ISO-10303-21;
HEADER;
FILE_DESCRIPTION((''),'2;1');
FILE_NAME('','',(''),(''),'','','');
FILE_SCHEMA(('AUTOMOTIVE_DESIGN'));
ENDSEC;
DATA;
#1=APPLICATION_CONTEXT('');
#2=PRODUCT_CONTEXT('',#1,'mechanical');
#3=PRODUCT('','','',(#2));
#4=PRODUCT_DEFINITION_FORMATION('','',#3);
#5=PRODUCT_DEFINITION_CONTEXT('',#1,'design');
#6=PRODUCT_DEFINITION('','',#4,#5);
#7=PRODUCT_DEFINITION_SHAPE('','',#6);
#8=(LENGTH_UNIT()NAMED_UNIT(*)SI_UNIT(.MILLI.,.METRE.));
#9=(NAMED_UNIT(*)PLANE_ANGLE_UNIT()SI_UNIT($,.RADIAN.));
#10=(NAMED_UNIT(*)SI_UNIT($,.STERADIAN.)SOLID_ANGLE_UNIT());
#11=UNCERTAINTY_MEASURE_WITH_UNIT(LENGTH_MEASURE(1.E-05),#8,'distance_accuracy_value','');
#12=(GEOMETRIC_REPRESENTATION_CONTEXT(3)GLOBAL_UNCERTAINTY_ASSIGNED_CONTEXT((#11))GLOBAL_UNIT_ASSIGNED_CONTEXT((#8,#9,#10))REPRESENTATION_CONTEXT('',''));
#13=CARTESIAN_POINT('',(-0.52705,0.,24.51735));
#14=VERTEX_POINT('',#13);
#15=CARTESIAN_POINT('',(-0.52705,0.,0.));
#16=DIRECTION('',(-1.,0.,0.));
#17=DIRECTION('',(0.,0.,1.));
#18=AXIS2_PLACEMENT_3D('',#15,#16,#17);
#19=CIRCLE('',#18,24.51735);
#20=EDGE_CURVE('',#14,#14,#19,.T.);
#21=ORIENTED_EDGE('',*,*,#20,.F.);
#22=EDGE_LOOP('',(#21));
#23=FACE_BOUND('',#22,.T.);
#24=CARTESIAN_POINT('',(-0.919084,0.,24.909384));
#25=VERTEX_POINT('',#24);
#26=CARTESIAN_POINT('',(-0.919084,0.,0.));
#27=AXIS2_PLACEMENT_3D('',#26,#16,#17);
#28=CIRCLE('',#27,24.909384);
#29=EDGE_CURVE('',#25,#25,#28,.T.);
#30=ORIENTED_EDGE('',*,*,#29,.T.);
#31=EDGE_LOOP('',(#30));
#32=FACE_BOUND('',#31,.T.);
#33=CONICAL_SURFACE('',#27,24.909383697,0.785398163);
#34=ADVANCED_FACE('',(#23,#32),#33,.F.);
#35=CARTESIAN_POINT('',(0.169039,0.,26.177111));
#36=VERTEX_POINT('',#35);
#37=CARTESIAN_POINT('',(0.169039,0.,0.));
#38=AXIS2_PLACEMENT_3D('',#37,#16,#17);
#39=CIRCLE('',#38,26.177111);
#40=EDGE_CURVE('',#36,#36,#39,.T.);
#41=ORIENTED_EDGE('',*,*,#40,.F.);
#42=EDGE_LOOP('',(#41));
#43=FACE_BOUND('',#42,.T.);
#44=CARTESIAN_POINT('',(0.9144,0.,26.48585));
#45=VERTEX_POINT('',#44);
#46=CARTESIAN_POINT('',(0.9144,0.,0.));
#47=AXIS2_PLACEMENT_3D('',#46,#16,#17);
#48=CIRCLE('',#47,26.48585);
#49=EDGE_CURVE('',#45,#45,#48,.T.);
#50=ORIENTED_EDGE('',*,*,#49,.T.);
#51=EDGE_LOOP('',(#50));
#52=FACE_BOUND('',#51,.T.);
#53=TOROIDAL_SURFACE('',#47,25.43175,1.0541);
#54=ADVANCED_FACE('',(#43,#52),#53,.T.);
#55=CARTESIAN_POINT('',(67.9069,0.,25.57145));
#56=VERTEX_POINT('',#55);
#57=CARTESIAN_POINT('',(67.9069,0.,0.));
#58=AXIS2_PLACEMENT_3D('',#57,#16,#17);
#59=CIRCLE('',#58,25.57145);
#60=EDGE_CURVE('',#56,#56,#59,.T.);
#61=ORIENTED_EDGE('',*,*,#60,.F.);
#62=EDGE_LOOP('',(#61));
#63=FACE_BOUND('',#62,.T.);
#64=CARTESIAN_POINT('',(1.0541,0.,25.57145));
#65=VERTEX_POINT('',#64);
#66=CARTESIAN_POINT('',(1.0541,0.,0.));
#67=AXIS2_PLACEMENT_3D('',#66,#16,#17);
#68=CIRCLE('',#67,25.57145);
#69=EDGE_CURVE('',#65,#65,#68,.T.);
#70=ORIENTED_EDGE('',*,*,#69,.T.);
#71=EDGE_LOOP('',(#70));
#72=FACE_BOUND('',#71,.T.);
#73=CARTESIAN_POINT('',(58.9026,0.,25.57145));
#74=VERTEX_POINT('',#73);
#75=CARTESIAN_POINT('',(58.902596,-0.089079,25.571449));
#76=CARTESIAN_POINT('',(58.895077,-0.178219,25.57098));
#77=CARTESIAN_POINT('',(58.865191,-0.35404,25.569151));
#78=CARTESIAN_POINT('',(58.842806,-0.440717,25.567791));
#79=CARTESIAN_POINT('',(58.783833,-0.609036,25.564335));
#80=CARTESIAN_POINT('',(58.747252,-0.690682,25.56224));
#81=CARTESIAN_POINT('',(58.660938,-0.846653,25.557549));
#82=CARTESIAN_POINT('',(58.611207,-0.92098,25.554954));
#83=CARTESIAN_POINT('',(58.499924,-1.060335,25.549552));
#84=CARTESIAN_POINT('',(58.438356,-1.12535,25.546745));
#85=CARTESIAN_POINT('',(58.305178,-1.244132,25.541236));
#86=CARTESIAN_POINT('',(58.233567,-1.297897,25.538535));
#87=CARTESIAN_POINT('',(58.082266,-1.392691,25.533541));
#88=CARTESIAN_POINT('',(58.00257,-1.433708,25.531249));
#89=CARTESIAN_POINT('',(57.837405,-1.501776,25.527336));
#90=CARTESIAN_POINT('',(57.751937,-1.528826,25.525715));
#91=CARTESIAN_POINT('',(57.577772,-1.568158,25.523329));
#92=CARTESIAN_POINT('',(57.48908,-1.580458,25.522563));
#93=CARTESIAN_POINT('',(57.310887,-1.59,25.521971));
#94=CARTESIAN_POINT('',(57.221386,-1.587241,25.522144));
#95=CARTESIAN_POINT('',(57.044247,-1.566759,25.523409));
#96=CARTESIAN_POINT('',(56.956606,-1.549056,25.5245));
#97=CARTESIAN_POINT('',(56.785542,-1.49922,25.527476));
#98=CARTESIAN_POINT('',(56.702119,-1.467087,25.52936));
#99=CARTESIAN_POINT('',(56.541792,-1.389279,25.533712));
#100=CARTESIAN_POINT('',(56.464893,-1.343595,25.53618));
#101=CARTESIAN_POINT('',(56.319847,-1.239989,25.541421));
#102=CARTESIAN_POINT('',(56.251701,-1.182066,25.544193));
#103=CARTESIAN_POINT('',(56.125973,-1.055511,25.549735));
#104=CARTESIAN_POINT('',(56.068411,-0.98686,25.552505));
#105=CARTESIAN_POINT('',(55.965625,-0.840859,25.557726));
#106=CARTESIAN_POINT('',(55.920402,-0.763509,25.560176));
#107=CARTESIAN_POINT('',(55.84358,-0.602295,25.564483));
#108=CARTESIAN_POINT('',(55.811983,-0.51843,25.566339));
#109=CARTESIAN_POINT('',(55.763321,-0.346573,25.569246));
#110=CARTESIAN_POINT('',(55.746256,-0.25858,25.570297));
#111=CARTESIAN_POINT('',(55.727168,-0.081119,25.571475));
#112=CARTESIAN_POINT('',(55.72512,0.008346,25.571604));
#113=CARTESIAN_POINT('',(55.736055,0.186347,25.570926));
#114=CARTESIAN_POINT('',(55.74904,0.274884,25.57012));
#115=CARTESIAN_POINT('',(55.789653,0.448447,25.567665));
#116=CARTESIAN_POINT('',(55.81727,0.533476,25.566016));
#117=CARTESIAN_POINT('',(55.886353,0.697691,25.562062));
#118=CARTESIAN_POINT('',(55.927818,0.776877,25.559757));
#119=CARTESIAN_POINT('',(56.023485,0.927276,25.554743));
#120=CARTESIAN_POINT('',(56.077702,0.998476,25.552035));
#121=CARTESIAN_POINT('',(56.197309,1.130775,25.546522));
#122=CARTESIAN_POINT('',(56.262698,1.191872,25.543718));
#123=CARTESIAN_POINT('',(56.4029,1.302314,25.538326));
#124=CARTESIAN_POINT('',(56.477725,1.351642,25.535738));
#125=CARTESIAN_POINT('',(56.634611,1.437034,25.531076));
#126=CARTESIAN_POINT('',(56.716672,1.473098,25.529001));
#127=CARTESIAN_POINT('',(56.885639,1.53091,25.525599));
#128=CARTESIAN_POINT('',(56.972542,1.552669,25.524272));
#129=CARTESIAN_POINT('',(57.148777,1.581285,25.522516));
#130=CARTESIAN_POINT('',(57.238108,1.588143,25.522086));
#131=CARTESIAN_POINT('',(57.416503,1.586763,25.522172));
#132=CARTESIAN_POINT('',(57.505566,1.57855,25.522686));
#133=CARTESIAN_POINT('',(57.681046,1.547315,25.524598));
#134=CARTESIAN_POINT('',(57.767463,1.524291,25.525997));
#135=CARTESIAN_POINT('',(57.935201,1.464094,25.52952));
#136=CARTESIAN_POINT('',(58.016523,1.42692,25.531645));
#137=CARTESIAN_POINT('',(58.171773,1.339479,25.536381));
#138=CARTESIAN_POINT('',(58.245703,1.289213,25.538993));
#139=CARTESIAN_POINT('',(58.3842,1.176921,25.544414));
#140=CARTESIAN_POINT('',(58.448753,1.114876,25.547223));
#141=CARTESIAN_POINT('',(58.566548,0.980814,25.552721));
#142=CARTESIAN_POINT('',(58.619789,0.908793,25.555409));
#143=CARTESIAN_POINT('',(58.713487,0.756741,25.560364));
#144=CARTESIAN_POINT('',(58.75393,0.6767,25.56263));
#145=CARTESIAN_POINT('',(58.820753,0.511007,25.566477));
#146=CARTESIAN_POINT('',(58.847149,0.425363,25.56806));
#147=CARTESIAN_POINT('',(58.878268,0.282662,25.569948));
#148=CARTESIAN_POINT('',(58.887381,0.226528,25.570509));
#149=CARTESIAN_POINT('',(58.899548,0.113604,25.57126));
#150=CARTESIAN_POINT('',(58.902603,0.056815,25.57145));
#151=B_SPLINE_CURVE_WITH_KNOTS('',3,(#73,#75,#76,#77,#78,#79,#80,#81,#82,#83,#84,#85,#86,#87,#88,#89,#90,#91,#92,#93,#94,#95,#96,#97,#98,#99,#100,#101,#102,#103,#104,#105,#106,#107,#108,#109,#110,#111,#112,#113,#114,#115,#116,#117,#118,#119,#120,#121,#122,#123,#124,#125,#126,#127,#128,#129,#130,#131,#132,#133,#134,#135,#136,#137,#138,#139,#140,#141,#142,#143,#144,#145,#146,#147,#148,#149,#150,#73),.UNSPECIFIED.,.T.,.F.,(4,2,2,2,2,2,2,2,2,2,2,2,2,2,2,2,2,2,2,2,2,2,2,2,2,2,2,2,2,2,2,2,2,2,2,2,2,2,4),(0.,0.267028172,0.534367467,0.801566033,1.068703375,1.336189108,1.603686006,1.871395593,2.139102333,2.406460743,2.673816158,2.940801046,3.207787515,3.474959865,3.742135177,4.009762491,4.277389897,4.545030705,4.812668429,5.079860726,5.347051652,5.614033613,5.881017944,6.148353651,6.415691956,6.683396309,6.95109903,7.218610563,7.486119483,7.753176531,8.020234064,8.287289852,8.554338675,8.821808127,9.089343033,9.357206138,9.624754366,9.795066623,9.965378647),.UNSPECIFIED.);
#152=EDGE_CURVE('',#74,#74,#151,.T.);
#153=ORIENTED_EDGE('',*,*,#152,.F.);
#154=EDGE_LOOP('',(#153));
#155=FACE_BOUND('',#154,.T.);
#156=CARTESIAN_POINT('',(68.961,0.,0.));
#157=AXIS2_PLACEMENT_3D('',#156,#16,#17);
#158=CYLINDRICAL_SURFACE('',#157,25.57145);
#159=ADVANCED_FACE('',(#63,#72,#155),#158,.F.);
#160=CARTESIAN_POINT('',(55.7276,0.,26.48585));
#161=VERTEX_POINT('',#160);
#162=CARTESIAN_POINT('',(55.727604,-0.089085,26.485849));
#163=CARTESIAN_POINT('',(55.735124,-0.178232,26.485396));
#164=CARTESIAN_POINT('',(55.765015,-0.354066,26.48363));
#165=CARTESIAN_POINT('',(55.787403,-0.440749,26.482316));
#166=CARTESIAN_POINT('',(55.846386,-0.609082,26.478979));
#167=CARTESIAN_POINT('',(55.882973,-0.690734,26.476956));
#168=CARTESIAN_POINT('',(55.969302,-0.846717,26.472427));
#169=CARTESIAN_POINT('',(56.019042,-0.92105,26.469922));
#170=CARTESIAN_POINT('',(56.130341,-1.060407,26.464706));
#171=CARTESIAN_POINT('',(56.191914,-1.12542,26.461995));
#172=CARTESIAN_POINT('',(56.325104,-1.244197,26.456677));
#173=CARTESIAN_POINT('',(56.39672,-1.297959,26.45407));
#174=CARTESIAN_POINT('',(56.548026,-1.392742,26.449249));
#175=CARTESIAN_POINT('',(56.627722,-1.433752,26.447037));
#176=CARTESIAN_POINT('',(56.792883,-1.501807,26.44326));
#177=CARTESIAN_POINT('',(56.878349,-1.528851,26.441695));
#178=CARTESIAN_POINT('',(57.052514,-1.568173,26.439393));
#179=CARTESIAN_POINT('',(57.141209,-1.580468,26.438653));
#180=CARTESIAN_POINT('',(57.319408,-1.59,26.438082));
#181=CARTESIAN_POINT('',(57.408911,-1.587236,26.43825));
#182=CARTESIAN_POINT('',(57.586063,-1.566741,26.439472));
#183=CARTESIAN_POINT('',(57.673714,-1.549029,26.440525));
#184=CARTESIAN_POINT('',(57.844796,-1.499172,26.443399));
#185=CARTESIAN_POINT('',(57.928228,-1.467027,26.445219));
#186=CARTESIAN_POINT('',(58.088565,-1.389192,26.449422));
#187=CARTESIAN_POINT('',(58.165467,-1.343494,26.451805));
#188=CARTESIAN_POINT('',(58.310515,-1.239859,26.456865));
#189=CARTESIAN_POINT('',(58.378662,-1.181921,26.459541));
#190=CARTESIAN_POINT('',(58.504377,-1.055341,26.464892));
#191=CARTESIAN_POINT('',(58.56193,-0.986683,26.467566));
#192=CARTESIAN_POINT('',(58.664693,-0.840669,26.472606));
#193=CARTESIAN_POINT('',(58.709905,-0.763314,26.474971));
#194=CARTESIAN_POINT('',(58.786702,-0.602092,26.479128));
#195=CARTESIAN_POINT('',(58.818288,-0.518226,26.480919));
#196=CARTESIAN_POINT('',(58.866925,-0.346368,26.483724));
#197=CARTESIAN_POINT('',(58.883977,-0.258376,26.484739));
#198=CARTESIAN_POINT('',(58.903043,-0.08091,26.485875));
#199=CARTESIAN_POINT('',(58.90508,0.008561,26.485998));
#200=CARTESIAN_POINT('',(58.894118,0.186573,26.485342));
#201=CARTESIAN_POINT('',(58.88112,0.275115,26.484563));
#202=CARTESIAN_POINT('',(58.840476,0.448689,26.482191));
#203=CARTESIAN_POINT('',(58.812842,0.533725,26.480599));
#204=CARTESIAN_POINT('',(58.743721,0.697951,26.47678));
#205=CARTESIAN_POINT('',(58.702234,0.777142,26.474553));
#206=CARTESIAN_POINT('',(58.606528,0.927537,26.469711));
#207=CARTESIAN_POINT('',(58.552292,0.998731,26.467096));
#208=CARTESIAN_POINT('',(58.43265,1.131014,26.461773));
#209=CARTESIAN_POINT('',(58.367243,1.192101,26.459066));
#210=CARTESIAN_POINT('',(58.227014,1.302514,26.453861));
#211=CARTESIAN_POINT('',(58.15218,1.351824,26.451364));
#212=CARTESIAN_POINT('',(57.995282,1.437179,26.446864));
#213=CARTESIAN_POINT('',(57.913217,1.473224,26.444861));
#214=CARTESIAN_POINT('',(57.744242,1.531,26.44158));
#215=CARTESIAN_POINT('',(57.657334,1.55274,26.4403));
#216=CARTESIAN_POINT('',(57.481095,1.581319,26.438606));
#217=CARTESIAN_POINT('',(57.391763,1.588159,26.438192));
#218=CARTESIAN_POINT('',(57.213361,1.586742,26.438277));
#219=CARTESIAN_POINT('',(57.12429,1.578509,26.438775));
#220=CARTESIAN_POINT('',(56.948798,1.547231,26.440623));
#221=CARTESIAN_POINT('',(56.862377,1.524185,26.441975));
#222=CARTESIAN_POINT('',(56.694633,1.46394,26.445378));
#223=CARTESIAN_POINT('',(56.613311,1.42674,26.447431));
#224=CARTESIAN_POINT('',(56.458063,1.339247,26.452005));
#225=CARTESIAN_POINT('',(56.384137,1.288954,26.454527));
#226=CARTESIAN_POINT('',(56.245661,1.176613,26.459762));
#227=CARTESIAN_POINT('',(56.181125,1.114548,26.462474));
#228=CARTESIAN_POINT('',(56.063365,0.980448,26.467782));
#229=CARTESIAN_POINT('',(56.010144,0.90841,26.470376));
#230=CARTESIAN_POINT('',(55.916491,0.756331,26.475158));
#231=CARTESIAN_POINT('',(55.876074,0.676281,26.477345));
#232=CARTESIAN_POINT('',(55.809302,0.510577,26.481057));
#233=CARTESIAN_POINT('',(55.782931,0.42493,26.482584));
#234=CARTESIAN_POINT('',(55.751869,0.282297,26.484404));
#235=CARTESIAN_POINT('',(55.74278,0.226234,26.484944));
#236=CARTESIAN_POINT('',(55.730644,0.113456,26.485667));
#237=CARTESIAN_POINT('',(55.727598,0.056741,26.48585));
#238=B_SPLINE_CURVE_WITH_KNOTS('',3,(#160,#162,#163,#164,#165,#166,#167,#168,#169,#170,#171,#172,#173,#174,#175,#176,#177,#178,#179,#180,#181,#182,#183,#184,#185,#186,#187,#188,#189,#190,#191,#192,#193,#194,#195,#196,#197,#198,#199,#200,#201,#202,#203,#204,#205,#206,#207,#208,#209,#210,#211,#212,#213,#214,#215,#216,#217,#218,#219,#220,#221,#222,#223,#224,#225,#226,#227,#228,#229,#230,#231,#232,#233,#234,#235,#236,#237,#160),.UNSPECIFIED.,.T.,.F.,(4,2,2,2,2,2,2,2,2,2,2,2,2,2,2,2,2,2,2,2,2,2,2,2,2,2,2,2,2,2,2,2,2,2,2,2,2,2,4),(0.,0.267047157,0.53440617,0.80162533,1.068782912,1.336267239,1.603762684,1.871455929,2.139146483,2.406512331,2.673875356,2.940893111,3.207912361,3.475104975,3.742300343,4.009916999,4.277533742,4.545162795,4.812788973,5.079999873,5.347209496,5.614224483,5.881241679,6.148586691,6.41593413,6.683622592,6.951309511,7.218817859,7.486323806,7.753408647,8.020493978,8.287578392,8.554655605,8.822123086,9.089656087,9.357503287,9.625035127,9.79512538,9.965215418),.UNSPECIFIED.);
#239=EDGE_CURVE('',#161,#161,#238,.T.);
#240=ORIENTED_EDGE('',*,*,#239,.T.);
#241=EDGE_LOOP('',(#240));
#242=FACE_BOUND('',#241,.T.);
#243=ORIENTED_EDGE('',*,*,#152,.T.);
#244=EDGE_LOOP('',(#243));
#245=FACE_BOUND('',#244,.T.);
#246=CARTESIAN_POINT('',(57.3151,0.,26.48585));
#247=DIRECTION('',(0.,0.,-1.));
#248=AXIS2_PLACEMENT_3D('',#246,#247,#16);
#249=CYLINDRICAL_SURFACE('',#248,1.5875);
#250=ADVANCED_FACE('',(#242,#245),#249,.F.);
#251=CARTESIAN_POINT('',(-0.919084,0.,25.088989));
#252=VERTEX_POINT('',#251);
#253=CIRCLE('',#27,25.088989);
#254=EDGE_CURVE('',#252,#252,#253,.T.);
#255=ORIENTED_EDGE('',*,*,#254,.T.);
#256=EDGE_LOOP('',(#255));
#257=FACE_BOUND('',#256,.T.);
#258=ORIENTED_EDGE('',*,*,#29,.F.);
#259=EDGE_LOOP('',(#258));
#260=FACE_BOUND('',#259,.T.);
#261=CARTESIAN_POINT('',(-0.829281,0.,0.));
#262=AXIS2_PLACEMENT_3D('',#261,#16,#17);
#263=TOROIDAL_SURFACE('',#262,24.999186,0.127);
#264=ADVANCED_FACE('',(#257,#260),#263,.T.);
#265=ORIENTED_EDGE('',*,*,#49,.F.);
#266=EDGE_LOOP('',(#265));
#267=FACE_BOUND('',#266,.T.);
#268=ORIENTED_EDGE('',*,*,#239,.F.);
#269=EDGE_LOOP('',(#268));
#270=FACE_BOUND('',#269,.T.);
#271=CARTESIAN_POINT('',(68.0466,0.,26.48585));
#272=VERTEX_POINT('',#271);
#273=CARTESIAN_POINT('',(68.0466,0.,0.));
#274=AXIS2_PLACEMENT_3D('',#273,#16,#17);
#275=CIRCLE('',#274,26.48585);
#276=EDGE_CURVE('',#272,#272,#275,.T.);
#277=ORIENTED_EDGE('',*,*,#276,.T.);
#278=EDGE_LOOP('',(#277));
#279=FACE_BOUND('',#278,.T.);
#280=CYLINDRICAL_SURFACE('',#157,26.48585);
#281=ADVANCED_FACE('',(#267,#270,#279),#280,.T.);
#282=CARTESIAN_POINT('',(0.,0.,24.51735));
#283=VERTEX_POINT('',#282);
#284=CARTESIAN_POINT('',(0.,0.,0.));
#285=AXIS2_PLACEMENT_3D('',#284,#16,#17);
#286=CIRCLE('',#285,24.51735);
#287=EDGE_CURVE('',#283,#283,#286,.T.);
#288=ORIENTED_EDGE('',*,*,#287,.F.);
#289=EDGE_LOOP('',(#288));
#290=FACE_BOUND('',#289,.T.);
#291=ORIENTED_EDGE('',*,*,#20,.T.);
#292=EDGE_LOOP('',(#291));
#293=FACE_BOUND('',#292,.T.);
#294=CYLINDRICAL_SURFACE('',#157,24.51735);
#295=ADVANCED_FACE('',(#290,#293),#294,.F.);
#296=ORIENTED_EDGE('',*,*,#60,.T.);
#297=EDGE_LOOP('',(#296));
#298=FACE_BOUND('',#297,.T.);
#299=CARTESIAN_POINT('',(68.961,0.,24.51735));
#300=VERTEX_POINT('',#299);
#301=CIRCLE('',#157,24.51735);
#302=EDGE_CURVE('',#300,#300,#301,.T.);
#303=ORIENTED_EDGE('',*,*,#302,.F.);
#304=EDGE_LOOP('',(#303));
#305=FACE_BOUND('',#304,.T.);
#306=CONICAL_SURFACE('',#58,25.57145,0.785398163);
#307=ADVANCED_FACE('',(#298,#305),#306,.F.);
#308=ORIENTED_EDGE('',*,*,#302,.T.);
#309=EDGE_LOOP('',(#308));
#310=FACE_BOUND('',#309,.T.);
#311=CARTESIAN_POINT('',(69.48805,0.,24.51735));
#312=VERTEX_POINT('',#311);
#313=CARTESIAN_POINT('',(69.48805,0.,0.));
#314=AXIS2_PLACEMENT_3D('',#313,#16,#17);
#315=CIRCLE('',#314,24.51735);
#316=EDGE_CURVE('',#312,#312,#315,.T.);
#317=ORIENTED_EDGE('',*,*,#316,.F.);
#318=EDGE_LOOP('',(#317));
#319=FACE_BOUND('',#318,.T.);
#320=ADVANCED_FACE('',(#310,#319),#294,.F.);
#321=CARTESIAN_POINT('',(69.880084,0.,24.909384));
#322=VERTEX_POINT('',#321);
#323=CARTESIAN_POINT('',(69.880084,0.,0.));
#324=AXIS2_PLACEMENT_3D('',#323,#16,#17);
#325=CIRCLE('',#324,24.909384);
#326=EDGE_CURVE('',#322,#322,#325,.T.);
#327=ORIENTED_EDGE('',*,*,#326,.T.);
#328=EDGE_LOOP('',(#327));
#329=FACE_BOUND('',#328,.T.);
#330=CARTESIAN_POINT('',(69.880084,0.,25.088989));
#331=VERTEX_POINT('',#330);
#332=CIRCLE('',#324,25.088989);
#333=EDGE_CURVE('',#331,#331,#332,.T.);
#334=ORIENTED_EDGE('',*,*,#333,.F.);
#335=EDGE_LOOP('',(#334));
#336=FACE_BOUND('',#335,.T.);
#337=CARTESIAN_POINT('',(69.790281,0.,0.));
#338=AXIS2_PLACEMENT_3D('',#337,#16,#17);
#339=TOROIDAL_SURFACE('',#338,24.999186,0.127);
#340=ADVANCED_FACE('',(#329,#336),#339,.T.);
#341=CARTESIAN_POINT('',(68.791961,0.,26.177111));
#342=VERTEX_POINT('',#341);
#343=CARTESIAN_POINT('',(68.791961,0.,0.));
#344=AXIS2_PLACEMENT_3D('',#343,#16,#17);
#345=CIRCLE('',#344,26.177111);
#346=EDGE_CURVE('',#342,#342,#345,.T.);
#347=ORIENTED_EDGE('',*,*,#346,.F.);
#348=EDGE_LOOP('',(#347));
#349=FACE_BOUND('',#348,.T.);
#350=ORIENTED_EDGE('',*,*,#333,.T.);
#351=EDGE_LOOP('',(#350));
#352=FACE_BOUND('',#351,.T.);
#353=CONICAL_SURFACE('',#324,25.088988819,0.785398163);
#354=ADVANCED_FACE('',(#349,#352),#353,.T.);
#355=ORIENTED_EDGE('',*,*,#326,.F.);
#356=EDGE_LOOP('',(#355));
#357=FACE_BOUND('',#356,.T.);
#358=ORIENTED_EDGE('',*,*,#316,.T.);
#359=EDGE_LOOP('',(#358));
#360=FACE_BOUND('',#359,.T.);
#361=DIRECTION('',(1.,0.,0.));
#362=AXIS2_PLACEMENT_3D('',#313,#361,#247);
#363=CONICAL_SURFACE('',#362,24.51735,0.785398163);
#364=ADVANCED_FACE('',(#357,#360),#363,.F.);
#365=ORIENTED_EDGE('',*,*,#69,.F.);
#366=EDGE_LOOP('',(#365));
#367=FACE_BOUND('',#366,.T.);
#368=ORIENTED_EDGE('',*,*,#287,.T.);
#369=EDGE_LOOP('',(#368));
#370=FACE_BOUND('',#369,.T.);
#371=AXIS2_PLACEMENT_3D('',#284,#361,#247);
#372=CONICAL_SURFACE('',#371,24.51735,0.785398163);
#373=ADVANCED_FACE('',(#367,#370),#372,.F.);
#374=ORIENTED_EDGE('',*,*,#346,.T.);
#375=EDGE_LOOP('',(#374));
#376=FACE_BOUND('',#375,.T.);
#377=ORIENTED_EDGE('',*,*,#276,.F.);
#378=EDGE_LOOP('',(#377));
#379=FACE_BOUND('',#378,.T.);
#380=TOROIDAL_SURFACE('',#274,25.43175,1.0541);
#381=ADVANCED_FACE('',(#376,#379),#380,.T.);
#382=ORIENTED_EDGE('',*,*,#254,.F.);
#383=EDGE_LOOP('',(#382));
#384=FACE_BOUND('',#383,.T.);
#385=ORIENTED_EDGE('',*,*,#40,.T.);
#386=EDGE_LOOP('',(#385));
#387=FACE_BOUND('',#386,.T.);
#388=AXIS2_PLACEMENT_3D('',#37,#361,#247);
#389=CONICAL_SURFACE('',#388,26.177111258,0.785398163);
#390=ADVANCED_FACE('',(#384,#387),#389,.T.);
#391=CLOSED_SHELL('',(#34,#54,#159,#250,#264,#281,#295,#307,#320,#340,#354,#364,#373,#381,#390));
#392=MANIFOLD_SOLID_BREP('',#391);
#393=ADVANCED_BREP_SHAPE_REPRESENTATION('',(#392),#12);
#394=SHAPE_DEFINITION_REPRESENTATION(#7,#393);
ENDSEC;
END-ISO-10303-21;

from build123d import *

# Parameters (mm, degrees)
SKETCH2_R          = 1.5875
CUT_EXTRUDE1_DEPTH = 26.48585


with BuildPart() as part:
    # Sketch1 → Revolve1 (revolve)
    with BuildSketch(Plane.XY):
        with BuildLine():
            Line((-0.919083697, 24.909383697), (-0.52705, 24.51735))
            Line((-0.52705, 24.51735), (0, 24.51735))
            Line((0, 24.51735), (1.0541, 25.57145))
            Line((1.0541, 25.57145), (67.9069, 25.57145))
            Line((67.9069, 25.57145), (68.961, 24.51735))
            Line((68.961, 24.51735), (69.48805, 24.51735))
            Line((69.48805, 24.51735), (69.880083697, 24.909383697))
            ThreePointArc((69.880083697, 24.909383697), (69.917281136, 24.999186258), (69.880083697, 25.088988819))
            Line((69.880083697, 25.088988819), (68.791961258, 26.177111258))
            ThreePointArc((68.791961258, 26.177111258), (68.449986606, 26.405611415), (68.0466, 26.48585))
            Line((68.0466, 26.48585), (0.9144, 26.48585))
            ThreePointArc((0.9144, 26.48585), (0.511013394, 26.405611415), (0.169038742, 26.177111258))
            Line((0.169038742, 26.177111258), (-0.919083697, 25.088988819))
            ThreePointArc((-0.919083697, 25.088988819), (-0.956281136, 24.999186258), (-0.919083697, 24.909383697))
        make_face()
    revolve(axis=Axis((68.961, 0, 0), (-1, 0, 0)))

    # Sketch2 → Cut-Extrude1 (cut)
    with BuildSketch(Plane.XY):
        with Locations((57.3151, 0)):
            Circle(SKETCH2_R)
    extrude(amount=CUT_EXTRUDE1_DEPTH, mode=Mode.SUBTRACT)


solid = part.part
